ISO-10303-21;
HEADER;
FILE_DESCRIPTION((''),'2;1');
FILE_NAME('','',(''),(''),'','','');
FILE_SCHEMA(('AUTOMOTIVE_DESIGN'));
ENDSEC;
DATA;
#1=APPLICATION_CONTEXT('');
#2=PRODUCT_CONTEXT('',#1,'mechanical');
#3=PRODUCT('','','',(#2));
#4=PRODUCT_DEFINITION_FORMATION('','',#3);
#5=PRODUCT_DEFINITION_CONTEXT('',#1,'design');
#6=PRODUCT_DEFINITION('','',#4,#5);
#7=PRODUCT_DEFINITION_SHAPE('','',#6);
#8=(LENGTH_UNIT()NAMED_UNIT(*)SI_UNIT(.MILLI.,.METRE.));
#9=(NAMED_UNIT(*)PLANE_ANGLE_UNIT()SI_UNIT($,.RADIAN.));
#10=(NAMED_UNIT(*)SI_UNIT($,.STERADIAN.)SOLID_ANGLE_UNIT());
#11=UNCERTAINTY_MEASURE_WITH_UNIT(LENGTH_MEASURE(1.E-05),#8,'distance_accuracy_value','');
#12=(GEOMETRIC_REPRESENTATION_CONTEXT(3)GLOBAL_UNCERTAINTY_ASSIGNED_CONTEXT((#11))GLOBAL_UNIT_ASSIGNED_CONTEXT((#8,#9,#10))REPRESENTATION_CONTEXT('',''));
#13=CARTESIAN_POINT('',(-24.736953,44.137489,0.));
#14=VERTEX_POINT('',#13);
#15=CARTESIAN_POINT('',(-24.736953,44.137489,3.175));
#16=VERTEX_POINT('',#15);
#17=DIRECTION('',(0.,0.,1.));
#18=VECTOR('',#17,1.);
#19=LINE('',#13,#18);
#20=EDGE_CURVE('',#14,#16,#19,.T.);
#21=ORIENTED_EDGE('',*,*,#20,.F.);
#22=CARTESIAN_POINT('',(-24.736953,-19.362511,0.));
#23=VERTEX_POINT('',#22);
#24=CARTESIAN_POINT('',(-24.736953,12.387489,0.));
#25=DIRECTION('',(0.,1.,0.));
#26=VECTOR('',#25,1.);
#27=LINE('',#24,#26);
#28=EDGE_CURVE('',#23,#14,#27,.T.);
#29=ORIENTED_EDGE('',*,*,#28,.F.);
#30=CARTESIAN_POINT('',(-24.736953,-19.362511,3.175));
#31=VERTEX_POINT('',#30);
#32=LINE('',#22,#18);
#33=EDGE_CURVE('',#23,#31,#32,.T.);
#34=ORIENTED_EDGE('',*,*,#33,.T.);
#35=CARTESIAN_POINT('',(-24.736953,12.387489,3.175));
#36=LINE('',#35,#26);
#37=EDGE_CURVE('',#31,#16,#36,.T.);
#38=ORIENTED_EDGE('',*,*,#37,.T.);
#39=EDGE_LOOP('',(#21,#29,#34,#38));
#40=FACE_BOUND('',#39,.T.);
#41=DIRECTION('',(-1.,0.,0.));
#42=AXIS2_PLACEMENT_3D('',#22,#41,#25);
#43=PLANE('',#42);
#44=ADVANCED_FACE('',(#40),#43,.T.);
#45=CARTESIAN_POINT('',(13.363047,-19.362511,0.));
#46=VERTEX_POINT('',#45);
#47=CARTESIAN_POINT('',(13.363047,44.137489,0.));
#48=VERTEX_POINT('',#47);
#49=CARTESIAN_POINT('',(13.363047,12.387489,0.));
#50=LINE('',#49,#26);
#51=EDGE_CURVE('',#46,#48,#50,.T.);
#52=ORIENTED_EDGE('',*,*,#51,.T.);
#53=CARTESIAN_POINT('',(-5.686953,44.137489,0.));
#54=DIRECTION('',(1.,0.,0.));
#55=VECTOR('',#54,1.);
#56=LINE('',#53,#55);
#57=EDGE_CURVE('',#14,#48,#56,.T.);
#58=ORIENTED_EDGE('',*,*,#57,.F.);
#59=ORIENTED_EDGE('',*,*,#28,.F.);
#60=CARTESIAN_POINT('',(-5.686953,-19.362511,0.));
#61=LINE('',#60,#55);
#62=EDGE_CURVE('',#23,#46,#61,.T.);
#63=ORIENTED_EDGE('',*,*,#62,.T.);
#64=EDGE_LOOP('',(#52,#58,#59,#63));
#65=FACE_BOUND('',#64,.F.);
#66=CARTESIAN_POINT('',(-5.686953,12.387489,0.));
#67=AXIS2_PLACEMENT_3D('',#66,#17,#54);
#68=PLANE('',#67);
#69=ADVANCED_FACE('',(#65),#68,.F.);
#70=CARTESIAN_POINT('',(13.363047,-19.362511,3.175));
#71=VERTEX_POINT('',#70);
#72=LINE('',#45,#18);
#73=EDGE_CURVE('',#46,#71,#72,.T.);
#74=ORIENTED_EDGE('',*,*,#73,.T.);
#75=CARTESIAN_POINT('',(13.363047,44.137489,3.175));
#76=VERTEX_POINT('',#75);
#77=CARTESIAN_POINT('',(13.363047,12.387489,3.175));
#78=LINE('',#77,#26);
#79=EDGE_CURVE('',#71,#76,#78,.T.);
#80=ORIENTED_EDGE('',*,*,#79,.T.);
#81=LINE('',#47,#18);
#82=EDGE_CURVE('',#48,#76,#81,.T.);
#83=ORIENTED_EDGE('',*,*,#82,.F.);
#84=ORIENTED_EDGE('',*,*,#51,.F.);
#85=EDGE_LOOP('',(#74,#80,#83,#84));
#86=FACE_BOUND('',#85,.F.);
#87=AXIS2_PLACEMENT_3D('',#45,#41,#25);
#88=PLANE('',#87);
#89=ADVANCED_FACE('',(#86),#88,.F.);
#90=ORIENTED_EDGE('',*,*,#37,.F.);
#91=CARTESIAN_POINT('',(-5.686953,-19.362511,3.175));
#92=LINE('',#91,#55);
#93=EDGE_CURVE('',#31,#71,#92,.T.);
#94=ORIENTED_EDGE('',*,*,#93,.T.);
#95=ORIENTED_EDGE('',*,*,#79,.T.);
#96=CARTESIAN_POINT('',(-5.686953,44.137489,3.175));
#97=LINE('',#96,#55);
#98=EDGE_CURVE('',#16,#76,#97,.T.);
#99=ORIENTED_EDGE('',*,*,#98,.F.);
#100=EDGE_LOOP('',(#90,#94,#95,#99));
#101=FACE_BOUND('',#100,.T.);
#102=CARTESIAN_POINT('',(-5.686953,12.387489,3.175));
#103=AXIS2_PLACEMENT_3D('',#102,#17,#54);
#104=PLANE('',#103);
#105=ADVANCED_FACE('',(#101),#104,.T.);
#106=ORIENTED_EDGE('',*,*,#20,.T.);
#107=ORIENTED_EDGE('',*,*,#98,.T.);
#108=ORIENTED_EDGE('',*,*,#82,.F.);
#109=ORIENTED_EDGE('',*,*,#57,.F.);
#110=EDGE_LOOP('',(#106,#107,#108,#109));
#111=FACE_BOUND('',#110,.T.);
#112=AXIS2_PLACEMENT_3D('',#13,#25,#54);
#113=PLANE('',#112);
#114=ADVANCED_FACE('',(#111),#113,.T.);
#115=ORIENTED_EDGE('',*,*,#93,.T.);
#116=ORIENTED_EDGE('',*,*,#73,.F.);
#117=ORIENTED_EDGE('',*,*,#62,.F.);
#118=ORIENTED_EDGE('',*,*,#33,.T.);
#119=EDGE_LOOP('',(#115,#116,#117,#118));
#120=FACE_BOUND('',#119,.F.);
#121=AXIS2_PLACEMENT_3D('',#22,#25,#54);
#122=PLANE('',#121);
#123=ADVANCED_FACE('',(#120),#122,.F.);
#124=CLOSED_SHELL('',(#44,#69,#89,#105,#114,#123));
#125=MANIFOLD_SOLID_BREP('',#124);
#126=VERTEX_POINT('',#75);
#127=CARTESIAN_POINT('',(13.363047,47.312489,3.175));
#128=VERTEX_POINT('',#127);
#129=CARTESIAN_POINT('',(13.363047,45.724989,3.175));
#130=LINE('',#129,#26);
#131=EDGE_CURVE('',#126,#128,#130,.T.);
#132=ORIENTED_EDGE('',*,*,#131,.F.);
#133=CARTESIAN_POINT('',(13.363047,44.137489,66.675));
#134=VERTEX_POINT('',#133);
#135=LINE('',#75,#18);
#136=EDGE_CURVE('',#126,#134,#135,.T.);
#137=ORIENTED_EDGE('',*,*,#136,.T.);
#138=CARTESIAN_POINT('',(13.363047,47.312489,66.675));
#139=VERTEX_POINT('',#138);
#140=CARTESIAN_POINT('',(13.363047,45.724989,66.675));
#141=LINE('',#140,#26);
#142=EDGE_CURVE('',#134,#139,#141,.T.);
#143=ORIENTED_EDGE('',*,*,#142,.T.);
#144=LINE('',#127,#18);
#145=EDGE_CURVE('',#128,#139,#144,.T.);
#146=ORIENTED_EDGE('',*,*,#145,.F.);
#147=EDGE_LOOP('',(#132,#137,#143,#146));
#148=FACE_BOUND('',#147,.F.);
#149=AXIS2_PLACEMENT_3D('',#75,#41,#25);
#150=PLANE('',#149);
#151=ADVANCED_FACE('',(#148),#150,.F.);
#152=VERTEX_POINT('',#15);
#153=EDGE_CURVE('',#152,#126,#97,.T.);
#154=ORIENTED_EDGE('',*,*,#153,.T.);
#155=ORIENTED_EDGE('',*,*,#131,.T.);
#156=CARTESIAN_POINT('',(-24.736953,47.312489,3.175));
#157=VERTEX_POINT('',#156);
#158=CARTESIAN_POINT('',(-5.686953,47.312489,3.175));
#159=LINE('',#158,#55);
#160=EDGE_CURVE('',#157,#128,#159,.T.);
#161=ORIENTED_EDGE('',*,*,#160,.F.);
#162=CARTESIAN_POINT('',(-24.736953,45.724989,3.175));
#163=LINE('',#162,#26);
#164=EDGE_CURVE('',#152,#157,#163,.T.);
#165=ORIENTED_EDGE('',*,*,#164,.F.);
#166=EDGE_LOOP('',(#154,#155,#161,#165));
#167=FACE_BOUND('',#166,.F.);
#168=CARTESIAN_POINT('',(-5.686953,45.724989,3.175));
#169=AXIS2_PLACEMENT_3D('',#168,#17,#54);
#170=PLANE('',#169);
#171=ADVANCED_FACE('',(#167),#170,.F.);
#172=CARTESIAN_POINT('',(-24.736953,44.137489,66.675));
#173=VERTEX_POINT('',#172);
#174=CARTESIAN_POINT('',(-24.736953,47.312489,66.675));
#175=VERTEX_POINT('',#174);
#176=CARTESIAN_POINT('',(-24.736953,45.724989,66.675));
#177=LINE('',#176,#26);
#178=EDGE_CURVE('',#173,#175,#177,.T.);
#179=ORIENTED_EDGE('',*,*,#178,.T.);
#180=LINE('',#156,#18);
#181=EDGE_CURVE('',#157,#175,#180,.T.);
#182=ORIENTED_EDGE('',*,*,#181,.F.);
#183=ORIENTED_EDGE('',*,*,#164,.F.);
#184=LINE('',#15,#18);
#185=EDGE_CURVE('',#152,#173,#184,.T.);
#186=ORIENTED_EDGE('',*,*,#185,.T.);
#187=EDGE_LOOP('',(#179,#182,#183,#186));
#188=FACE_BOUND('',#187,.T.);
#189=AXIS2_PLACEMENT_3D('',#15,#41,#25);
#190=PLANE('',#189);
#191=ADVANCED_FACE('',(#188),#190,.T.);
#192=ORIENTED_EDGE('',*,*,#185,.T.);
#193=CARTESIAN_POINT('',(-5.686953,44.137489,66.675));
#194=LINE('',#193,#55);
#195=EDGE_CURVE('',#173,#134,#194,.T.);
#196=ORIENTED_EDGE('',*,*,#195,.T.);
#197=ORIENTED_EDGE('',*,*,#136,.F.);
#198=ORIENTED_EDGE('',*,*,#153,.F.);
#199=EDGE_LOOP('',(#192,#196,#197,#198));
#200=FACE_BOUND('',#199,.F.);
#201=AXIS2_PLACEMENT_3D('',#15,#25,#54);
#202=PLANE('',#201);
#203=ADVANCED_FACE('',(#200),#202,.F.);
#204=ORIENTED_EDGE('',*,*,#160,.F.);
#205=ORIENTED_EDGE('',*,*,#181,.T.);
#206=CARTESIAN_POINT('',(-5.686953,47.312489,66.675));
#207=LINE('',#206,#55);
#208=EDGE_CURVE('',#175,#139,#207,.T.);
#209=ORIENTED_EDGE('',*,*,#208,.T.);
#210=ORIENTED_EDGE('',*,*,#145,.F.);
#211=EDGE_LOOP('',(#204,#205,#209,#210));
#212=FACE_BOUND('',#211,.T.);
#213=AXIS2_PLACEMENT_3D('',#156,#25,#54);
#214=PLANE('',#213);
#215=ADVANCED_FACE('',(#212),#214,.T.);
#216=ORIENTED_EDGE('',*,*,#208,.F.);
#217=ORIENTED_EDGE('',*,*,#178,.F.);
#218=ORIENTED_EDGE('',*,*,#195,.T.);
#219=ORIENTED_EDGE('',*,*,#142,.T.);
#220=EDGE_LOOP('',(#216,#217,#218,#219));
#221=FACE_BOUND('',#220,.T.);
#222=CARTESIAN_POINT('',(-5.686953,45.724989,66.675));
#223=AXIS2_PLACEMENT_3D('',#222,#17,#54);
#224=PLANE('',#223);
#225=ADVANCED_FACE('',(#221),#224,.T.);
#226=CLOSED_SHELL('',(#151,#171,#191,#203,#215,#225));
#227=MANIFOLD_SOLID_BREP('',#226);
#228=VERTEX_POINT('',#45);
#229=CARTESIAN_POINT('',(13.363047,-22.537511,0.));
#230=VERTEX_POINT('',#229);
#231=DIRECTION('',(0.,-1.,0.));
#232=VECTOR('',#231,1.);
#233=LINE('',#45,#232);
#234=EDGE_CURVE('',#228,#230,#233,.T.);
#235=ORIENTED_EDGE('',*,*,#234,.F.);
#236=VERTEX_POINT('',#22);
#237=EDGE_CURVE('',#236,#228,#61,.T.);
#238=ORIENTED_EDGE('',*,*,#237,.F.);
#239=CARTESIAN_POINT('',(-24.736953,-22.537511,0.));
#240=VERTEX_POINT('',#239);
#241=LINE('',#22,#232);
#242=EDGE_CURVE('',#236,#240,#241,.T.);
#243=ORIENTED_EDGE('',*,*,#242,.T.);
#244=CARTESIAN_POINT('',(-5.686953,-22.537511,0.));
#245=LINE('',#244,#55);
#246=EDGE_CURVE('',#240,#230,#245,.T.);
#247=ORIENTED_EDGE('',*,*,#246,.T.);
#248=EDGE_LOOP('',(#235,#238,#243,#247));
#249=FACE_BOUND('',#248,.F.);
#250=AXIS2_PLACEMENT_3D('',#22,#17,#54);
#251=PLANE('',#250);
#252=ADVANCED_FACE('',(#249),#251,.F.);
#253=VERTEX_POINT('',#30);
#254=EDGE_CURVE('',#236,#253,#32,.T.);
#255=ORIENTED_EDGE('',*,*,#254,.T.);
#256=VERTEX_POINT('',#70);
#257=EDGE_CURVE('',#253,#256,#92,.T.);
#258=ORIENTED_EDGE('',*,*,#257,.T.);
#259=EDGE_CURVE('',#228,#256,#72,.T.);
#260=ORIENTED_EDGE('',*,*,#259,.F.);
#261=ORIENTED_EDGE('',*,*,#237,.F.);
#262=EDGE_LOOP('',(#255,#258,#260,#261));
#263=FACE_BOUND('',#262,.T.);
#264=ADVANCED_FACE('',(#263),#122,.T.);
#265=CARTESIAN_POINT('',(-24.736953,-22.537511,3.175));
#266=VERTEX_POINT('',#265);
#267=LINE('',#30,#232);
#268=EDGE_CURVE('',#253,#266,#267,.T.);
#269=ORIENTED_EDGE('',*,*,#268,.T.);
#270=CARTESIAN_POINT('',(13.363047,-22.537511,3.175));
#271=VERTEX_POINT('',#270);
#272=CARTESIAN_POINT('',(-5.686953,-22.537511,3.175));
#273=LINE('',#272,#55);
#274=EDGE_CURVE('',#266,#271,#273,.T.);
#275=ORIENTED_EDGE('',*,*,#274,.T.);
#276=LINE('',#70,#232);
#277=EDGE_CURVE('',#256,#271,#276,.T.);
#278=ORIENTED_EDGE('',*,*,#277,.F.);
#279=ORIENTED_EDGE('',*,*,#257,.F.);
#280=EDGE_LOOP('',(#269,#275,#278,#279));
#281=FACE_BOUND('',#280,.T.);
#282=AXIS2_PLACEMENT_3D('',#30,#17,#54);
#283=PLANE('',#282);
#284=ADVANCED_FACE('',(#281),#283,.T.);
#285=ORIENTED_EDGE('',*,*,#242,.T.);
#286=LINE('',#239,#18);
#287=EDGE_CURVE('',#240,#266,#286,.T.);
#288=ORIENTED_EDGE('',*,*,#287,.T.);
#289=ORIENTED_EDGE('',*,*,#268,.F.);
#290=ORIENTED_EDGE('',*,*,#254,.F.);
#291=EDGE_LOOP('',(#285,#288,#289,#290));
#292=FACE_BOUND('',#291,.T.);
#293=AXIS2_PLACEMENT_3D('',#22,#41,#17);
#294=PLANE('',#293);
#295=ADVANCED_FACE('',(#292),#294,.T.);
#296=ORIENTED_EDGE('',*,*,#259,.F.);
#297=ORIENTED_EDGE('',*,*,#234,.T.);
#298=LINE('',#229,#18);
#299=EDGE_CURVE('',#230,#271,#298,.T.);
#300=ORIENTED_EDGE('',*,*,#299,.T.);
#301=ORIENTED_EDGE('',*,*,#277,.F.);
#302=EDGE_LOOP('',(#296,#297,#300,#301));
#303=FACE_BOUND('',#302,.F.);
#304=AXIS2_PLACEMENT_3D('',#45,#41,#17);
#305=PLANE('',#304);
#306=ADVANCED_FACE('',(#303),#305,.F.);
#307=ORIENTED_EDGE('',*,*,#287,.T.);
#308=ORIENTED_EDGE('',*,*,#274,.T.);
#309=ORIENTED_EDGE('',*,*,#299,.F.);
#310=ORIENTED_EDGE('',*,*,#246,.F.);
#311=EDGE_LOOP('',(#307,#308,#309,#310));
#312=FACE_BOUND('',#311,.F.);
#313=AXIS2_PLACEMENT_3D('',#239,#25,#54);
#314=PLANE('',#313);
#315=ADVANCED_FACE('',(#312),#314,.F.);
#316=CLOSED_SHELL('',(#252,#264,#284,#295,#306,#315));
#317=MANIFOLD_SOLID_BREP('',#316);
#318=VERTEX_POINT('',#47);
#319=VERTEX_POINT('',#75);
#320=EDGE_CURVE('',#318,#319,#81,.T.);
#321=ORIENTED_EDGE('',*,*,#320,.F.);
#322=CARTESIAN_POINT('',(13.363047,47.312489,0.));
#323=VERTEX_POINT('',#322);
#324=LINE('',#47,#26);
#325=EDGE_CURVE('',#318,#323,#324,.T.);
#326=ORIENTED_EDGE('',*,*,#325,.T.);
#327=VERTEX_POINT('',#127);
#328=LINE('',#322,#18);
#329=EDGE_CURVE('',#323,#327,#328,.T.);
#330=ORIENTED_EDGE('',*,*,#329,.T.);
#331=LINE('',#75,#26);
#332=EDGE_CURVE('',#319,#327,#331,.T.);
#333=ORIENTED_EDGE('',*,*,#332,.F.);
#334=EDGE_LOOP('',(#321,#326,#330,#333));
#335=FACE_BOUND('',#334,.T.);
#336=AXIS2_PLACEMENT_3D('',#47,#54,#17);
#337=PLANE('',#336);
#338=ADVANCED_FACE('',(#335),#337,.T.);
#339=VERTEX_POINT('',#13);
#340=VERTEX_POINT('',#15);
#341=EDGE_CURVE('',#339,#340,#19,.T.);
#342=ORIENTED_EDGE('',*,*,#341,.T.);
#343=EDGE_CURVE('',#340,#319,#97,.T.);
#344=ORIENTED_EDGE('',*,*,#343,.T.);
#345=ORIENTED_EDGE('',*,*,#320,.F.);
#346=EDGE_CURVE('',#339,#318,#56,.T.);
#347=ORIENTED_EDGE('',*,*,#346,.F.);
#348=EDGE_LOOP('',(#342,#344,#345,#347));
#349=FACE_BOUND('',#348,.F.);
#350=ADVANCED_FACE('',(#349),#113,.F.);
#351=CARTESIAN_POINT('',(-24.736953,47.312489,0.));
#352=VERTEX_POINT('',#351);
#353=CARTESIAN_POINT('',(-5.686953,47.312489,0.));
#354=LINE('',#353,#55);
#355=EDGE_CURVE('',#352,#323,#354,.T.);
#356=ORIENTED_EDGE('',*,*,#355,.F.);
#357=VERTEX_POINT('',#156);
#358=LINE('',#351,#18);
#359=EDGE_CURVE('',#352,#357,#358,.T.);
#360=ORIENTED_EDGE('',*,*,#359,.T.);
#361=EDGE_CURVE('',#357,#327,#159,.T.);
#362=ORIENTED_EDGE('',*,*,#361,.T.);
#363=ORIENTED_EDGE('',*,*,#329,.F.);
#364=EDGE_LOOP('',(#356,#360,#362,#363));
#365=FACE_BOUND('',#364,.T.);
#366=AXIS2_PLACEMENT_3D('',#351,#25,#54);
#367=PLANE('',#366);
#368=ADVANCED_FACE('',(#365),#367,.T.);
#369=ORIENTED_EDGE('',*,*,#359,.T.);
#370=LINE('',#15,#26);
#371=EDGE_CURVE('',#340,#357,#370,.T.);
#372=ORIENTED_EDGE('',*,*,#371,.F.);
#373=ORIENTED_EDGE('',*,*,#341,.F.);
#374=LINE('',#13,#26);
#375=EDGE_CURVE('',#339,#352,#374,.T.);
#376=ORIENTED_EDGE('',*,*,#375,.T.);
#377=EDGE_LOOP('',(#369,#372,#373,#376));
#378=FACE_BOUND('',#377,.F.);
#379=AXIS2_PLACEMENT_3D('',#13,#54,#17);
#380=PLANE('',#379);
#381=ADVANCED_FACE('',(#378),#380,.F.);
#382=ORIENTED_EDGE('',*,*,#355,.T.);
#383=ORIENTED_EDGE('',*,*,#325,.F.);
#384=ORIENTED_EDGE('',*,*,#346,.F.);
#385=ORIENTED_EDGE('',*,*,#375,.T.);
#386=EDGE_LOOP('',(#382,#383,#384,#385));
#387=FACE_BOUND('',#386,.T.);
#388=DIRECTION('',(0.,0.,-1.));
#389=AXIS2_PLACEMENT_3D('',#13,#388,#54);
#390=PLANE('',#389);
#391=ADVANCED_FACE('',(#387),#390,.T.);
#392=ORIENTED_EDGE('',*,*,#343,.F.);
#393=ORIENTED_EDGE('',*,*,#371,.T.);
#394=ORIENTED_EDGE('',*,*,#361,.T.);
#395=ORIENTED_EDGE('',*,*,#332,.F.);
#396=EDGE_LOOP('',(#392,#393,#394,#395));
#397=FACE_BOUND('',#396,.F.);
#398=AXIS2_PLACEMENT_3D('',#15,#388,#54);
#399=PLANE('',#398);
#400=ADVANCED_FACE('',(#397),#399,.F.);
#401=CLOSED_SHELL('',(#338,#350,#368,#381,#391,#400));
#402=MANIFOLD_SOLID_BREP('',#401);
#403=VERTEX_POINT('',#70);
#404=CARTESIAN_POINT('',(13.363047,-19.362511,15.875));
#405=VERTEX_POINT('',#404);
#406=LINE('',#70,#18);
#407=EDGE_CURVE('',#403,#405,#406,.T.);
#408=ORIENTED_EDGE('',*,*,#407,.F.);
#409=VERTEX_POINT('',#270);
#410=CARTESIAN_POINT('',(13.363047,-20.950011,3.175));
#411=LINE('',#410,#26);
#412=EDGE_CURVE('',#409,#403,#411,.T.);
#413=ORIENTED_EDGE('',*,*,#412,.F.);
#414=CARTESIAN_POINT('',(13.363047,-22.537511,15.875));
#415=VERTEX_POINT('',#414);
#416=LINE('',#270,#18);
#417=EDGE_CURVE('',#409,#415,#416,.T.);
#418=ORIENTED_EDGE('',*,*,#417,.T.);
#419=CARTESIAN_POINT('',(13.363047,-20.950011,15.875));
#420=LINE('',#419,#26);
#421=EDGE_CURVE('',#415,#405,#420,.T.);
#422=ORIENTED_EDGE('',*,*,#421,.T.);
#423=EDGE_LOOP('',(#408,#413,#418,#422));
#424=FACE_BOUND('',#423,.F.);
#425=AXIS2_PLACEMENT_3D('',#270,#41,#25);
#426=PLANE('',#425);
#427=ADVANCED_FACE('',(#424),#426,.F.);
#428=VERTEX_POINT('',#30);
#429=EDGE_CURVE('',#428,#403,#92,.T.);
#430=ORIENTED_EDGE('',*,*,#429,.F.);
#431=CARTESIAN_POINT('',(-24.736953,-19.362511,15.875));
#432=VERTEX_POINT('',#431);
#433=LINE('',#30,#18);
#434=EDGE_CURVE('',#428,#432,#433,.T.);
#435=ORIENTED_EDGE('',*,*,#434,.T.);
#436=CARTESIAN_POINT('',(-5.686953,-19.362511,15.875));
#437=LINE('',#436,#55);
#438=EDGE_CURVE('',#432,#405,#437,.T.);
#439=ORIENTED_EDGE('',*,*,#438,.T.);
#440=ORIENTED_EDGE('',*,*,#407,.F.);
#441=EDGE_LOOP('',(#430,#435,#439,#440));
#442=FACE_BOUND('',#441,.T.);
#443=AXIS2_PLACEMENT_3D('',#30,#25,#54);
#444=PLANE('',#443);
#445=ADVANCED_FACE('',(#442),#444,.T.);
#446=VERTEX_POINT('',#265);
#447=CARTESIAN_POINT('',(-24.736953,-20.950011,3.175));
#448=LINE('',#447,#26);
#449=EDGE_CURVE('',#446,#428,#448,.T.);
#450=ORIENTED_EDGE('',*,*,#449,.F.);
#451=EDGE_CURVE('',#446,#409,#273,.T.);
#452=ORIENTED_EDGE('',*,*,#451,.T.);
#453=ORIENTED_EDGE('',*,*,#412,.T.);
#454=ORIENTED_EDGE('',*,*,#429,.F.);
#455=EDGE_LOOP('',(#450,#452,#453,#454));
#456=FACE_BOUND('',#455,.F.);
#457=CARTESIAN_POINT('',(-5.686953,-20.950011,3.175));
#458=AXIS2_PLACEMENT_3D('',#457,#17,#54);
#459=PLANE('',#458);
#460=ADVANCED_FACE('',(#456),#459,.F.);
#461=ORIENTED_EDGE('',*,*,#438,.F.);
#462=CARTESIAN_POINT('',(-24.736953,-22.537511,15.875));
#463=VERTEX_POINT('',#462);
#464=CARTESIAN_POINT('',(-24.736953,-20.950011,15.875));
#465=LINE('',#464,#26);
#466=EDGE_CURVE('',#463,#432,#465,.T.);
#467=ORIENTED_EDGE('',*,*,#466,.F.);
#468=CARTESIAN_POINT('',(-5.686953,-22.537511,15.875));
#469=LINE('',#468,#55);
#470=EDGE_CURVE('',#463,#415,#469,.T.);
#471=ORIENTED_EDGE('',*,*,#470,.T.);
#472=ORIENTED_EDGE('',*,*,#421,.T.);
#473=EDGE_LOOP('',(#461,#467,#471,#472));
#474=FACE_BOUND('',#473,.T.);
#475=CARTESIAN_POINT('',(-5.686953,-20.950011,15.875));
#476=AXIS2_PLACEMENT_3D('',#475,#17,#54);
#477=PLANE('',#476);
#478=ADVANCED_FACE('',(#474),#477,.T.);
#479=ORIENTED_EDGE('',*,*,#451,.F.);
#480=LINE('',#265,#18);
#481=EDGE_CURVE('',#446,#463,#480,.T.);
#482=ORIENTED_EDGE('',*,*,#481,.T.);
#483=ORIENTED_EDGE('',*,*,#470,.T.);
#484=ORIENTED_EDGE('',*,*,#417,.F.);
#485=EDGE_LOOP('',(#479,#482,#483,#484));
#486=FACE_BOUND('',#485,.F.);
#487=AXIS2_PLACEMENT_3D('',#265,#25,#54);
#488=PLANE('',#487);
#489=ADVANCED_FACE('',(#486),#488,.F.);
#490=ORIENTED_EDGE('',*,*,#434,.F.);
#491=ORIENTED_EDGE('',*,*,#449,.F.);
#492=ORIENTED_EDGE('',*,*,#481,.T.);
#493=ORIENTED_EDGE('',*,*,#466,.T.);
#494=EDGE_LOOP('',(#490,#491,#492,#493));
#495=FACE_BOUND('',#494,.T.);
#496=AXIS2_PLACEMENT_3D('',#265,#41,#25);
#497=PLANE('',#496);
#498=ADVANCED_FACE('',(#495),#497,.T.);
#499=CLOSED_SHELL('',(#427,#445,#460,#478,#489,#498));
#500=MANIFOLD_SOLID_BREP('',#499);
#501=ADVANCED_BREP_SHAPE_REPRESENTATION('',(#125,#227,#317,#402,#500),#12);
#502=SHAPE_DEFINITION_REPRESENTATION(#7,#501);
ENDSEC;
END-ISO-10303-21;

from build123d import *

# Parameters (mm, degrees)
F0_W     = 38.1
F0_H     = 63.5
F1_DEPTH = 3.175
F2_W     = 38.1
F2_H     = 3.175
F3_DEPTH = 63.5
F4_DEPTH = 3.175
F5_W     = 38.1
F5_H     = 3.175
F6_DEPTH = 12.7
F7_DEPTH = 3.175


with BuildPart() as f1:
    # F0 (on Top) → F1 (new body)
    with BuildSketch(Plane.XY):
        with Locations((-5.6869531982, 12.3874891467)):
            Rectangle(F0_W, F0_H)
    extrude(amount=F1_DEPTH)


with BuildPart() as f3:
    # F2 (on face) → F3 (new body)
    with BuildSketch(Plane.XY.offset(3.175)):
        with Locations((-5.6869531982, 45.7249891467)):
            Rectangle(F2_W, F2_H)
    extrude(amount=F3_DEPTH)


with BuildPart() as f4:
    # F4 (new): a face of the model
    f4_faces = [f1.part.faces().sort_by_distance(p)[0] for p in [
        (-5.6869531982, 44.1374891467, 1.5875),
    ]]
    extrude(f4_faces, amount=F4_DEPTH)


with BuildPart() as f6:
    # F5 (on face) → F6 (new body)
    with BuildSketch(Plane.XY.offset(3.175)):
        with Locations((-5.6869531982, -20.9500108533)):
            Rectangle(F5_W, F5_H)
    extrude(amount=F6_DEPTH)


with BuildPart() as f7:
    # F7 (new): a face of the model
    f7_faces = [f1.part.faces().sort_by_distance(p)[0] for p in [
        (-5.6869531982, -19.3625108533, 1.5875),
    ]]
    extrude(f7_faces, amount=F7_DEPTH)


solid = Compound([f1.part, f3.part, f4.part, f6.part, f7.part])
